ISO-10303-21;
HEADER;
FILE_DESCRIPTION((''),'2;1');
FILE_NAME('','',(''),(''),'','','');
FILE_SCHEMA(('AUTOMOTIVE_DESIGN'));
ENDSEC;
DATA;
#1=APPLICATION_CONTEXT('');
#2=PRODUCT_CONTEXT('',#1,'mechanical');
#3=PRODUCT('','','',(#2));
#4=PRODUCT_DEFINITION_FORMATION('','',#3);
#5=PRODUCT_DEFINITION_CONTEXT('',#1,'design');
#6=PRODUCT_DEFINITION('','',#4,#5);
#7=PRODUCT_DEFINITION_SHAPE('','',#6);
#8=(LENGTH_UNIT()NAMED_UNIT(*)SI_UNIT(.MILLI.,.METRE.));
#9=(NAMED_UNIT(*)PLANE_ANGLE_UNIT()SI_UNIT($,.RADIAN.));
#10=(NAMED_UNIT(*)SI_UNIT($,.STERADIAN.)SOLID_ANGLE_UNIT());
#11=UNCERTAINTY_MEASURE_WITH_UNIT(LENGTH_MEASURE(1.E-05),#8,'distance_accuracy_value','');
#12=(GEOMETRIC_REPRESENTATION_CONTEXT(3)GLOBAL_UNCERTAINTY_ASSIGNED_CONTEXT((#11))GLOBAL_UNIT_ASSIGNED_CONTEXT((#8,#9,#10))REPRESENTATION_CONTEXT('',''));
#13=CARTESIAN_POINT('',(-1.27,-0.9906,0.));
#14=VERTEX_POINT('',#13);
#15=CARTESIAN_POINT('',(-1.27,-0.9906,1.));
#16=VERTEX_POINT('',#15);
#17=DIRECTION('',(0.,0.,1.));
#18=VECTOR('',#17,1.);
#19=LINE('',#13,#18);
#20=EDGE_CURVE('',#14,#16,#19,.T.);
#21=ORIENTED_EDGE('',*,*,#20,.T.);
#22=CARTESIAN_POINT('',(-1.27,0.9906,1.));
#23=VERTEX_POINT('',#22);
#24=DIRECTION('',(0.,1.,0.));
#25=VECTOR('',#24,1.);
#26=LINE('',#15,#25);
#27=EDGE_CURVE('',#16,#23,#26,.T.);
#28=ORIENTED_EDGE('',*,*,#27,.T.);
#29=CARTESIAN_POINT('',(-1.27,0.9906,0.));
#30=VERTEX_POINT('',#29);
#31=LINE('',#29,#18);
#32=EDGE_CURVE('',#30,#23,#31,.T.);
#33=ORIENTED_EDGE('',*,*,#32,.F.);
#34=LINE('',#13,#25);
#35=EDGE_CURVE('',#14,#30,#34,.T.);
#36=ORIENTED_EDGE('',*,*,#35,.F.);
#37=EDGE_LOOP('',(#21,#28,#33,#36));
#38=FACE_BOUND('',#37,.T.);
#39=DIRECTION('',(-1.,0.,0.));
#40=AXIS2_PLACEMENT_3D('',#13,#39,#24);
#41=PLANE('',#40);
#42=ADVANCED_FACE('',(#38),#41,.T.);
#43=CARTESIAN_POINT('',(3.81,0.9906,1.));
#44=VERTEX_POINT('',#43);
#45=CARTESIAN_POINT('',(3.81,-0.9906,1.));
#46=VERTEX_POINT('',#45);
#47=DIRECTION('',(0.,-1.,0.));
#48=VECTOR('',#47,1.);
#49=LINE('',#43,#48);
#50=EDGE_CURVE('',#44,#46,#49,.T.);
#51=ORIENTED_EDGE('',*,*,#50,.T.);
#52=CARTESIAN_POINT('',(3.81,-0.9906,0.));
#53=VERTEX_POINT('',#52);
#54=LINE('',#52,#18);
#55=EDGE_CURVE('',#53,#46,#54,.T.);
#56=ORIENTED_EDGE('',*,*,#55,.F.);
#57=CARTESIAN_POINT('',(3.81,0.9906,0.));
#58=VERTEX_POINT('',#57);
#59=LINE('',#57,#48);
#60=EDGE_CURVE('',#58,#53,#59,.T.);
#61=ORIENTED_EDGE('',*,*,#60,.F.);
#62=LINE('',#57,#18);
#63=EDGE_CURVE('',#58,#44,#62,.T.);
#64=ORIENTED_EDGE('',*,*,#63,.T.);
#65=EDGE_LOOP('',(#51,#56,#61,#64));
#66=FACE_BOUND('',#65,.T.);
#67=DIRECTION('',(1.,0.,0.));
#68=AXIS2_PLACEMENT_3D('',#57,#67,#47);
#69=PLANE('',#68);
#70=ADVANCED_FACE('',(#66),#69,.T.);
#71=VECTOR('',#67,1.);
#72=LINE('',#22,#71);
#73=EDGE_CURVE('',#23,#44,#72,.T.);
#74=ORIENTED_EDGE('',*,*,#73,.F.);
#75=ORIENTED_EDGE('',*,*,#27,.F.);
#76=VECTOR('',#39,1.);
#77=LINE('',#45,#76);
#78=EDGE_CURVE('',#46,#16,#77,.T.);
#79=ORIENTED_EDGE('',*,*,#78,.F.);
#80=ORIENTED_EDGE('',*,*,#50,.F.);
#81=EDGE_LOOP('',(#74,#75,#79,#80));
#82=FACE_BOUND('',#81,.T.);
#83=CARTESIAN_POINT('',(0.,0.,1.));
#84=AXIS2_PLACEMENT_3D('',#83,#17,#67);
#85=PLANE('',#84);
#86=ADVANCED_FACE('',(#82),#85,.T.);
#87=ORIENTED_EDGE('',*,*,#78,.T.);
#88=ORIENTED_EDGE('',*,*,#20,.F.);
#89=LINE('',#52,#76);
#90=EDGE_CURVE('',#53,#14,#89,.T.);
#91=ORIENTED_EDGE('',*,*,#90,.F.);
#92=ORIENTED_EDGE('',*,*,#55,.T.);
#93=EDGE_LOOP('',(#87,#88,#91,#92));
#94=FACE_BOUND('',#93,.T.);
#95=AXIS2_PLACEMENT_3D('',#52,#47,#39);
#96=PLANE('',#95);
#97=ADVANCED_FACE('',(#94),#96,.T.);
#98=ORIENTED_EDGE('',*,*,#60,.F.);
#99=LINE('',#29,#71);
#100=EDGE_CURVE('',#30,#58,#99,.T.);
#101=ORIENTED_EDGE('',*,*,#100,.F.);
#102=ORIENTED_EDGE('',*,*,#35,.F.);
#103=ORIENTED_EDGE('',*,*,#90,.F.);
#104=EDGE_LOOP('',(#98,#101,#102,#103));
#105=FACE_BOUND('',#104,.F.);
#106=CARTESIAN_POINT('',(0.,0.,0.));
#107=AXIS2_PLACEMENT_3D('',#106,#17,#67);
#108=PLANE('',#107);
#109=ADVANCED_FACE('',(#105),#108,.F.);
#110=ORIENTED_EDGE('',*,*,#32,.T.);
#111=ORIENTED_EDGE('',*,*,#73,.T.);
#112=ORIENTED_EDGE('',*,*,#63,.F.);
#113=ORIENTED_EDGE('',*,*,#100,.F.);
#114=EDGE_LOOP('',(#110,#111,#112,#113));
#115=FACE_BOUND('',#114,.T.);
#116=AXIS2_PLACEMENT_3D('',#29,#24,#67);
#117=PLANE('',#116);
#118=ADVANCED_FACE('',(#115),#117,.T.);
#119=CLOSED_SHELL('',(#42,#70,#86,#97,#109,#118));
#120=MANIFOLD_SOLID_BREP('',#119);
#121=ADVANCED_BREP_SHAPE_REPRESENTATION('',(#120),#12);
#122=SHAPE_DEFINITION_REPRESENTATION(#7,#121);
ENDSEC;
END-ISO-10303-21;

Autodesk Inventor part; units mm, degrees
ref_plane "YZ Plane" through (0, 0, 0) normal (1, 0, 0) x (0, 1, 0)
ref_plane "XZ Plane" through (0, 0, 0) normal (0, 1, 0) x (-1, 0, 0)
ref_plane "XY Plane" through (0, 0, 0) normal (0, 0, 1) x (1, 0, 0)
sketch "1X02_LOCK_LONGPADS, 1_32" plane through (0, 0, 0) normal (0, 0, 1) x (1, 0, 0)
  line L0 (-1.27, 0.9906) -> (3.81, 0.9906)
  line L1 (3.81, 0.9906) -> (3.81, -0.9906)
  line L2 (3.81, -0.9906) -> (-1.27, -0.9906)
  line L3 (-1.27, -0.9906) -> (-1.27, 0.9906)
extrude "Extrusion1" add sketch "1X02_LOCK_LONGPADS, 1_32" along normal blind 1
properties part number "1"
